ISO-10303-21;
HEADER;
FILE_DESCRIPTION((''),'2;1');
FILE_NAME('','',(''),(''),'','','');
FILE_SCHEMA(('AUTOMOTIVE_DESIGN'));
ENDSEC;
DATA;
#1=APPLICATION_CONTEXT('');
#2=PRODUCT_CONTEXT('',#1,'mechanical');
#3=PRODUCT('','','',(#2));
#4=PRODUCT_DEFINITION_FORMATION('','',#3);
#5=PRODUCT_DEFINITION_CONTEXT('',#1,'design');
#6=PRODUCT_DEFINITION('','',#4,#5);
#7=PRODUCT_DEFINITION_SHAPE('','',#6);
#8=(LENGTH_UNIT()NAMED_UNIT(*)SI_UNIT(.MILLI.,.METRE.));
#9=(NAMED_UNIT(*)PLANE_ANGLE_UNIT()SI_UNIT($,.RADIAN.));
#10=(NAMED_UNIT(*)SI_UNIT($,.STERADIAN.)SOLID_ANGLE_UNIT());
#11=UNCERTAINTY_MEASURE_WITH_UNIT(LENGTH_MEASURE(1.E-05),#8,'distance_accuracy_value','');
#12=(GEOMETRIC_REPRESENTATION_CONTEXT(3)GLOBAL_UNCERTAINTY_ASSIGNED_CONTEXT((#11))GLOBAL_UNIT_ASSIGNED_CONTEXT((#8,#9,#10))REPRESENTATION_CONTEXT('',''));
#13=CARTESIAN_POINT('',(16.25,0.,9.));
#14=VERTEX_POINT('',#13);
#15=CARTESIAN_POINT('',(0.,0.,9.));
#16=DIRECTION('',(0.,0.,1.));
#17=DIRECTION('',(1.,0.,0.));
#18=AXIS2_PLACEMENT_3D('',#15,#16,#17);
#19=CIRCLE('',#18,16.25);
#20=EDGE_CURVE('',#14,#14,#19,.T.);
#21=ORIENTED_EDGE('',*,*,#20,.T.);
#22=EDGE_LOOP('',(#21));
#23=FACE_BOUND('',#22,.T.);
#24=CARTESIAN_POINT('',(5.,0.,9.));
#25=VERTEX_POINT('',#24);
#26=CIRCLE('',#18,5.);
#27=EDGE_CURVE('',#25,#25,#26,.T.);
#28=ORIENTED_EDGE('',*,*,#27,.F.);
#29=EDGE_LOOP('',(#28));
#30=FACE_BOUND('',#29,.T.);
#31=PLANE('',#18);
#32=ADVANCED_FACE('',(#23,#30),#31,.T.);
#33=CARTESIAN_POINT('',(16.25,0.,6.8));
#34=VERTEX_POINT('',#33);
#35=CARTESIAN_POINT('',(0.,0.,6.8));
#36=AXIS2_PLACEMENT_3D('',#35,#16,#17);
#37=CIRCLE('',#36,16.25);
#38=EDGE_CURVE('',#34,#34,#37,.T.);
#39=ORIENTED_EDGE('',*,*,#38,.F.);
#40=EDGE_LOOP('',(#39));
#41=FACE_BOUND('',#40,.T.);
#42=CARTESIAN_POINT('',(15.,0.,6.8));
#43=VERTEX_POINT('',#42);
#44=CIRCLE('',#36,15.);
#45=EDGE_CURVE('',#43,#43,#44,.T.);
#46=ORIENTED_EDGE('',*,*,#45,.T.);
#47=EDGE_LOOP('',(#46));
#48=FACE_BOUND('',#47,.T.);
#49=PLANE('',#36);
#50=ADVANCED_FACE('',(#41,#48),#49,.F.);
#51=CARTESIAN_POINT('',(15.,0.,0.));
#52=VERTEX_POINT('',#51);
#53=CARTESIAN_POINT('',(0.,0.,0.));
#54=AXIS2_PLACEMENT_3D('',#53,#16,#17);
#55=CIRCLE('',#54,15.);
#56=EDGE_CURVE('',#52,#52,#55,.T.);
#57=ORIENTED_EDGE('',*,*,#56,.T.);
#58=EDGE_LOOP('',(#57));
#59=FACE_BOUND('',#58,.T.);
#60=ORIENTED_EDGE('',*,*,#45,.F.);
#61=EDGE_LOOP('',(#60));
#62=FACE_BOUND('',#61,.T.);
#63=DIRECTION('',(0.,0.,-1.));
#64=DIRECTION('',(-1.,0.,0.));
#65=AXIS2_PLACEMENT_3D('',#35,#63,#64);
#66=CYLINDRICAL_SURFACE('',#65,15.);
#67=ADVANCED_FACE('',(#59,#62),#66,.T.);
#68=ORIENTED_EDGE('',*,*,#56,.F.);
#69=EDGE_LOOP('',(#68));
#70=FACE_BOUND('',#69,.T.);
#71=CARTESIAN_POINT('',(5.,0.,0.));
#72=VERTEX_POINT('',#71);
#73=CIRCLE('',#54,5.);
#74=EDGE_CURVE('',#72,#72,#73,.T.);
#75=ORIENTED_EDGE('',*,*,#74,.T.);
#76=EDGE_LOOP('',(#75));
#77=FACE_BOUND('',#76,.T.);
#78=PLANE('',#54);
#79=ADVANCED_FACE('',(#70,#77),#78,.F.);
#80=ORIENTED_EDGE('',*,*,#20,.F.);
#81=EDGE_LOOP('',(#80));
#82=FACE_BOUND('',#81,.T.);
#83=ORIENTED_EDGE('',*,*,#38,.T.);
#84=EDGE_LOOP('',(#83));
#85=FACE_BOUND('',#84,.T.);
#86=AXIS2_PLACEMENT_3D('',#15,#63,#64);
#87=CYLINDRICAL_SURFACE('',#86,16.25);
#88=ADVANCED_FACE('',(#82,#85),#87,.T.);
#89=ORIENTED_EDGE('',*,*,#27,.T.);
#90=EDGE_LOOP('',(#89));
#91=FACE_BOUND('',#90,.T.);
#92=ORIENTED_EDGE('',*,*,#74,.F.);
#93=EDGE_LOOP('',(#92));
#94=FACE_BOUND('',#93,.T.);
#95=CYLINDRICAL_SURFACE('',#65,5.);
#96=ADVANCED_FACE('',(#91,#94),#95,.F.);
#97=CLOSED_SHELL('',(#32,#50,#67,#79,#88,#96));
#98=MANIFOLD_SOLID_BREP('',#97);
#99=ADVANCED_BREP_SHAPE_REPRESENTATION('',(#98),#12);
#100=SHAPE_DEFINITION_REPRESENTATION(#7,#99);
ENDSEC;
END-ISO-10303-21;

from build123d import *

# Parameters (mm, degrees)
SKETCH_1_R      = 15
SKETCH_1_R_2    = 5
EXTRUDE_1_DEPTH = 6.8
SKETCH_2_R      = 16.25
SKETCH_2_R_2    = 5
EXTRUDE_2_DEPTH = 2.2


with BuildPart() as part:
    # 草图1 → 凸台-拉伸1 (new body)
    with BuildSketch(Plane.XY):
        Circle(SKETCH_1_R)
        Circle(SKETCH_1_R_2, mode=Mode.SUBTRACT)
    extrude(amount=EXTRUDE_1_DEPTH)

    # 草图2 → 凸台-拉伸2 (add)
    with BuildSketch(Plane.XY.offset(6.8)):
        Circle(SKETCH_2_R)
        Circle(SKETCH_2_R_2, mode=Mode.SUBTRACT)
    extrude(amount=EXTRUDE_2_DEPTH)


solid = part.part
